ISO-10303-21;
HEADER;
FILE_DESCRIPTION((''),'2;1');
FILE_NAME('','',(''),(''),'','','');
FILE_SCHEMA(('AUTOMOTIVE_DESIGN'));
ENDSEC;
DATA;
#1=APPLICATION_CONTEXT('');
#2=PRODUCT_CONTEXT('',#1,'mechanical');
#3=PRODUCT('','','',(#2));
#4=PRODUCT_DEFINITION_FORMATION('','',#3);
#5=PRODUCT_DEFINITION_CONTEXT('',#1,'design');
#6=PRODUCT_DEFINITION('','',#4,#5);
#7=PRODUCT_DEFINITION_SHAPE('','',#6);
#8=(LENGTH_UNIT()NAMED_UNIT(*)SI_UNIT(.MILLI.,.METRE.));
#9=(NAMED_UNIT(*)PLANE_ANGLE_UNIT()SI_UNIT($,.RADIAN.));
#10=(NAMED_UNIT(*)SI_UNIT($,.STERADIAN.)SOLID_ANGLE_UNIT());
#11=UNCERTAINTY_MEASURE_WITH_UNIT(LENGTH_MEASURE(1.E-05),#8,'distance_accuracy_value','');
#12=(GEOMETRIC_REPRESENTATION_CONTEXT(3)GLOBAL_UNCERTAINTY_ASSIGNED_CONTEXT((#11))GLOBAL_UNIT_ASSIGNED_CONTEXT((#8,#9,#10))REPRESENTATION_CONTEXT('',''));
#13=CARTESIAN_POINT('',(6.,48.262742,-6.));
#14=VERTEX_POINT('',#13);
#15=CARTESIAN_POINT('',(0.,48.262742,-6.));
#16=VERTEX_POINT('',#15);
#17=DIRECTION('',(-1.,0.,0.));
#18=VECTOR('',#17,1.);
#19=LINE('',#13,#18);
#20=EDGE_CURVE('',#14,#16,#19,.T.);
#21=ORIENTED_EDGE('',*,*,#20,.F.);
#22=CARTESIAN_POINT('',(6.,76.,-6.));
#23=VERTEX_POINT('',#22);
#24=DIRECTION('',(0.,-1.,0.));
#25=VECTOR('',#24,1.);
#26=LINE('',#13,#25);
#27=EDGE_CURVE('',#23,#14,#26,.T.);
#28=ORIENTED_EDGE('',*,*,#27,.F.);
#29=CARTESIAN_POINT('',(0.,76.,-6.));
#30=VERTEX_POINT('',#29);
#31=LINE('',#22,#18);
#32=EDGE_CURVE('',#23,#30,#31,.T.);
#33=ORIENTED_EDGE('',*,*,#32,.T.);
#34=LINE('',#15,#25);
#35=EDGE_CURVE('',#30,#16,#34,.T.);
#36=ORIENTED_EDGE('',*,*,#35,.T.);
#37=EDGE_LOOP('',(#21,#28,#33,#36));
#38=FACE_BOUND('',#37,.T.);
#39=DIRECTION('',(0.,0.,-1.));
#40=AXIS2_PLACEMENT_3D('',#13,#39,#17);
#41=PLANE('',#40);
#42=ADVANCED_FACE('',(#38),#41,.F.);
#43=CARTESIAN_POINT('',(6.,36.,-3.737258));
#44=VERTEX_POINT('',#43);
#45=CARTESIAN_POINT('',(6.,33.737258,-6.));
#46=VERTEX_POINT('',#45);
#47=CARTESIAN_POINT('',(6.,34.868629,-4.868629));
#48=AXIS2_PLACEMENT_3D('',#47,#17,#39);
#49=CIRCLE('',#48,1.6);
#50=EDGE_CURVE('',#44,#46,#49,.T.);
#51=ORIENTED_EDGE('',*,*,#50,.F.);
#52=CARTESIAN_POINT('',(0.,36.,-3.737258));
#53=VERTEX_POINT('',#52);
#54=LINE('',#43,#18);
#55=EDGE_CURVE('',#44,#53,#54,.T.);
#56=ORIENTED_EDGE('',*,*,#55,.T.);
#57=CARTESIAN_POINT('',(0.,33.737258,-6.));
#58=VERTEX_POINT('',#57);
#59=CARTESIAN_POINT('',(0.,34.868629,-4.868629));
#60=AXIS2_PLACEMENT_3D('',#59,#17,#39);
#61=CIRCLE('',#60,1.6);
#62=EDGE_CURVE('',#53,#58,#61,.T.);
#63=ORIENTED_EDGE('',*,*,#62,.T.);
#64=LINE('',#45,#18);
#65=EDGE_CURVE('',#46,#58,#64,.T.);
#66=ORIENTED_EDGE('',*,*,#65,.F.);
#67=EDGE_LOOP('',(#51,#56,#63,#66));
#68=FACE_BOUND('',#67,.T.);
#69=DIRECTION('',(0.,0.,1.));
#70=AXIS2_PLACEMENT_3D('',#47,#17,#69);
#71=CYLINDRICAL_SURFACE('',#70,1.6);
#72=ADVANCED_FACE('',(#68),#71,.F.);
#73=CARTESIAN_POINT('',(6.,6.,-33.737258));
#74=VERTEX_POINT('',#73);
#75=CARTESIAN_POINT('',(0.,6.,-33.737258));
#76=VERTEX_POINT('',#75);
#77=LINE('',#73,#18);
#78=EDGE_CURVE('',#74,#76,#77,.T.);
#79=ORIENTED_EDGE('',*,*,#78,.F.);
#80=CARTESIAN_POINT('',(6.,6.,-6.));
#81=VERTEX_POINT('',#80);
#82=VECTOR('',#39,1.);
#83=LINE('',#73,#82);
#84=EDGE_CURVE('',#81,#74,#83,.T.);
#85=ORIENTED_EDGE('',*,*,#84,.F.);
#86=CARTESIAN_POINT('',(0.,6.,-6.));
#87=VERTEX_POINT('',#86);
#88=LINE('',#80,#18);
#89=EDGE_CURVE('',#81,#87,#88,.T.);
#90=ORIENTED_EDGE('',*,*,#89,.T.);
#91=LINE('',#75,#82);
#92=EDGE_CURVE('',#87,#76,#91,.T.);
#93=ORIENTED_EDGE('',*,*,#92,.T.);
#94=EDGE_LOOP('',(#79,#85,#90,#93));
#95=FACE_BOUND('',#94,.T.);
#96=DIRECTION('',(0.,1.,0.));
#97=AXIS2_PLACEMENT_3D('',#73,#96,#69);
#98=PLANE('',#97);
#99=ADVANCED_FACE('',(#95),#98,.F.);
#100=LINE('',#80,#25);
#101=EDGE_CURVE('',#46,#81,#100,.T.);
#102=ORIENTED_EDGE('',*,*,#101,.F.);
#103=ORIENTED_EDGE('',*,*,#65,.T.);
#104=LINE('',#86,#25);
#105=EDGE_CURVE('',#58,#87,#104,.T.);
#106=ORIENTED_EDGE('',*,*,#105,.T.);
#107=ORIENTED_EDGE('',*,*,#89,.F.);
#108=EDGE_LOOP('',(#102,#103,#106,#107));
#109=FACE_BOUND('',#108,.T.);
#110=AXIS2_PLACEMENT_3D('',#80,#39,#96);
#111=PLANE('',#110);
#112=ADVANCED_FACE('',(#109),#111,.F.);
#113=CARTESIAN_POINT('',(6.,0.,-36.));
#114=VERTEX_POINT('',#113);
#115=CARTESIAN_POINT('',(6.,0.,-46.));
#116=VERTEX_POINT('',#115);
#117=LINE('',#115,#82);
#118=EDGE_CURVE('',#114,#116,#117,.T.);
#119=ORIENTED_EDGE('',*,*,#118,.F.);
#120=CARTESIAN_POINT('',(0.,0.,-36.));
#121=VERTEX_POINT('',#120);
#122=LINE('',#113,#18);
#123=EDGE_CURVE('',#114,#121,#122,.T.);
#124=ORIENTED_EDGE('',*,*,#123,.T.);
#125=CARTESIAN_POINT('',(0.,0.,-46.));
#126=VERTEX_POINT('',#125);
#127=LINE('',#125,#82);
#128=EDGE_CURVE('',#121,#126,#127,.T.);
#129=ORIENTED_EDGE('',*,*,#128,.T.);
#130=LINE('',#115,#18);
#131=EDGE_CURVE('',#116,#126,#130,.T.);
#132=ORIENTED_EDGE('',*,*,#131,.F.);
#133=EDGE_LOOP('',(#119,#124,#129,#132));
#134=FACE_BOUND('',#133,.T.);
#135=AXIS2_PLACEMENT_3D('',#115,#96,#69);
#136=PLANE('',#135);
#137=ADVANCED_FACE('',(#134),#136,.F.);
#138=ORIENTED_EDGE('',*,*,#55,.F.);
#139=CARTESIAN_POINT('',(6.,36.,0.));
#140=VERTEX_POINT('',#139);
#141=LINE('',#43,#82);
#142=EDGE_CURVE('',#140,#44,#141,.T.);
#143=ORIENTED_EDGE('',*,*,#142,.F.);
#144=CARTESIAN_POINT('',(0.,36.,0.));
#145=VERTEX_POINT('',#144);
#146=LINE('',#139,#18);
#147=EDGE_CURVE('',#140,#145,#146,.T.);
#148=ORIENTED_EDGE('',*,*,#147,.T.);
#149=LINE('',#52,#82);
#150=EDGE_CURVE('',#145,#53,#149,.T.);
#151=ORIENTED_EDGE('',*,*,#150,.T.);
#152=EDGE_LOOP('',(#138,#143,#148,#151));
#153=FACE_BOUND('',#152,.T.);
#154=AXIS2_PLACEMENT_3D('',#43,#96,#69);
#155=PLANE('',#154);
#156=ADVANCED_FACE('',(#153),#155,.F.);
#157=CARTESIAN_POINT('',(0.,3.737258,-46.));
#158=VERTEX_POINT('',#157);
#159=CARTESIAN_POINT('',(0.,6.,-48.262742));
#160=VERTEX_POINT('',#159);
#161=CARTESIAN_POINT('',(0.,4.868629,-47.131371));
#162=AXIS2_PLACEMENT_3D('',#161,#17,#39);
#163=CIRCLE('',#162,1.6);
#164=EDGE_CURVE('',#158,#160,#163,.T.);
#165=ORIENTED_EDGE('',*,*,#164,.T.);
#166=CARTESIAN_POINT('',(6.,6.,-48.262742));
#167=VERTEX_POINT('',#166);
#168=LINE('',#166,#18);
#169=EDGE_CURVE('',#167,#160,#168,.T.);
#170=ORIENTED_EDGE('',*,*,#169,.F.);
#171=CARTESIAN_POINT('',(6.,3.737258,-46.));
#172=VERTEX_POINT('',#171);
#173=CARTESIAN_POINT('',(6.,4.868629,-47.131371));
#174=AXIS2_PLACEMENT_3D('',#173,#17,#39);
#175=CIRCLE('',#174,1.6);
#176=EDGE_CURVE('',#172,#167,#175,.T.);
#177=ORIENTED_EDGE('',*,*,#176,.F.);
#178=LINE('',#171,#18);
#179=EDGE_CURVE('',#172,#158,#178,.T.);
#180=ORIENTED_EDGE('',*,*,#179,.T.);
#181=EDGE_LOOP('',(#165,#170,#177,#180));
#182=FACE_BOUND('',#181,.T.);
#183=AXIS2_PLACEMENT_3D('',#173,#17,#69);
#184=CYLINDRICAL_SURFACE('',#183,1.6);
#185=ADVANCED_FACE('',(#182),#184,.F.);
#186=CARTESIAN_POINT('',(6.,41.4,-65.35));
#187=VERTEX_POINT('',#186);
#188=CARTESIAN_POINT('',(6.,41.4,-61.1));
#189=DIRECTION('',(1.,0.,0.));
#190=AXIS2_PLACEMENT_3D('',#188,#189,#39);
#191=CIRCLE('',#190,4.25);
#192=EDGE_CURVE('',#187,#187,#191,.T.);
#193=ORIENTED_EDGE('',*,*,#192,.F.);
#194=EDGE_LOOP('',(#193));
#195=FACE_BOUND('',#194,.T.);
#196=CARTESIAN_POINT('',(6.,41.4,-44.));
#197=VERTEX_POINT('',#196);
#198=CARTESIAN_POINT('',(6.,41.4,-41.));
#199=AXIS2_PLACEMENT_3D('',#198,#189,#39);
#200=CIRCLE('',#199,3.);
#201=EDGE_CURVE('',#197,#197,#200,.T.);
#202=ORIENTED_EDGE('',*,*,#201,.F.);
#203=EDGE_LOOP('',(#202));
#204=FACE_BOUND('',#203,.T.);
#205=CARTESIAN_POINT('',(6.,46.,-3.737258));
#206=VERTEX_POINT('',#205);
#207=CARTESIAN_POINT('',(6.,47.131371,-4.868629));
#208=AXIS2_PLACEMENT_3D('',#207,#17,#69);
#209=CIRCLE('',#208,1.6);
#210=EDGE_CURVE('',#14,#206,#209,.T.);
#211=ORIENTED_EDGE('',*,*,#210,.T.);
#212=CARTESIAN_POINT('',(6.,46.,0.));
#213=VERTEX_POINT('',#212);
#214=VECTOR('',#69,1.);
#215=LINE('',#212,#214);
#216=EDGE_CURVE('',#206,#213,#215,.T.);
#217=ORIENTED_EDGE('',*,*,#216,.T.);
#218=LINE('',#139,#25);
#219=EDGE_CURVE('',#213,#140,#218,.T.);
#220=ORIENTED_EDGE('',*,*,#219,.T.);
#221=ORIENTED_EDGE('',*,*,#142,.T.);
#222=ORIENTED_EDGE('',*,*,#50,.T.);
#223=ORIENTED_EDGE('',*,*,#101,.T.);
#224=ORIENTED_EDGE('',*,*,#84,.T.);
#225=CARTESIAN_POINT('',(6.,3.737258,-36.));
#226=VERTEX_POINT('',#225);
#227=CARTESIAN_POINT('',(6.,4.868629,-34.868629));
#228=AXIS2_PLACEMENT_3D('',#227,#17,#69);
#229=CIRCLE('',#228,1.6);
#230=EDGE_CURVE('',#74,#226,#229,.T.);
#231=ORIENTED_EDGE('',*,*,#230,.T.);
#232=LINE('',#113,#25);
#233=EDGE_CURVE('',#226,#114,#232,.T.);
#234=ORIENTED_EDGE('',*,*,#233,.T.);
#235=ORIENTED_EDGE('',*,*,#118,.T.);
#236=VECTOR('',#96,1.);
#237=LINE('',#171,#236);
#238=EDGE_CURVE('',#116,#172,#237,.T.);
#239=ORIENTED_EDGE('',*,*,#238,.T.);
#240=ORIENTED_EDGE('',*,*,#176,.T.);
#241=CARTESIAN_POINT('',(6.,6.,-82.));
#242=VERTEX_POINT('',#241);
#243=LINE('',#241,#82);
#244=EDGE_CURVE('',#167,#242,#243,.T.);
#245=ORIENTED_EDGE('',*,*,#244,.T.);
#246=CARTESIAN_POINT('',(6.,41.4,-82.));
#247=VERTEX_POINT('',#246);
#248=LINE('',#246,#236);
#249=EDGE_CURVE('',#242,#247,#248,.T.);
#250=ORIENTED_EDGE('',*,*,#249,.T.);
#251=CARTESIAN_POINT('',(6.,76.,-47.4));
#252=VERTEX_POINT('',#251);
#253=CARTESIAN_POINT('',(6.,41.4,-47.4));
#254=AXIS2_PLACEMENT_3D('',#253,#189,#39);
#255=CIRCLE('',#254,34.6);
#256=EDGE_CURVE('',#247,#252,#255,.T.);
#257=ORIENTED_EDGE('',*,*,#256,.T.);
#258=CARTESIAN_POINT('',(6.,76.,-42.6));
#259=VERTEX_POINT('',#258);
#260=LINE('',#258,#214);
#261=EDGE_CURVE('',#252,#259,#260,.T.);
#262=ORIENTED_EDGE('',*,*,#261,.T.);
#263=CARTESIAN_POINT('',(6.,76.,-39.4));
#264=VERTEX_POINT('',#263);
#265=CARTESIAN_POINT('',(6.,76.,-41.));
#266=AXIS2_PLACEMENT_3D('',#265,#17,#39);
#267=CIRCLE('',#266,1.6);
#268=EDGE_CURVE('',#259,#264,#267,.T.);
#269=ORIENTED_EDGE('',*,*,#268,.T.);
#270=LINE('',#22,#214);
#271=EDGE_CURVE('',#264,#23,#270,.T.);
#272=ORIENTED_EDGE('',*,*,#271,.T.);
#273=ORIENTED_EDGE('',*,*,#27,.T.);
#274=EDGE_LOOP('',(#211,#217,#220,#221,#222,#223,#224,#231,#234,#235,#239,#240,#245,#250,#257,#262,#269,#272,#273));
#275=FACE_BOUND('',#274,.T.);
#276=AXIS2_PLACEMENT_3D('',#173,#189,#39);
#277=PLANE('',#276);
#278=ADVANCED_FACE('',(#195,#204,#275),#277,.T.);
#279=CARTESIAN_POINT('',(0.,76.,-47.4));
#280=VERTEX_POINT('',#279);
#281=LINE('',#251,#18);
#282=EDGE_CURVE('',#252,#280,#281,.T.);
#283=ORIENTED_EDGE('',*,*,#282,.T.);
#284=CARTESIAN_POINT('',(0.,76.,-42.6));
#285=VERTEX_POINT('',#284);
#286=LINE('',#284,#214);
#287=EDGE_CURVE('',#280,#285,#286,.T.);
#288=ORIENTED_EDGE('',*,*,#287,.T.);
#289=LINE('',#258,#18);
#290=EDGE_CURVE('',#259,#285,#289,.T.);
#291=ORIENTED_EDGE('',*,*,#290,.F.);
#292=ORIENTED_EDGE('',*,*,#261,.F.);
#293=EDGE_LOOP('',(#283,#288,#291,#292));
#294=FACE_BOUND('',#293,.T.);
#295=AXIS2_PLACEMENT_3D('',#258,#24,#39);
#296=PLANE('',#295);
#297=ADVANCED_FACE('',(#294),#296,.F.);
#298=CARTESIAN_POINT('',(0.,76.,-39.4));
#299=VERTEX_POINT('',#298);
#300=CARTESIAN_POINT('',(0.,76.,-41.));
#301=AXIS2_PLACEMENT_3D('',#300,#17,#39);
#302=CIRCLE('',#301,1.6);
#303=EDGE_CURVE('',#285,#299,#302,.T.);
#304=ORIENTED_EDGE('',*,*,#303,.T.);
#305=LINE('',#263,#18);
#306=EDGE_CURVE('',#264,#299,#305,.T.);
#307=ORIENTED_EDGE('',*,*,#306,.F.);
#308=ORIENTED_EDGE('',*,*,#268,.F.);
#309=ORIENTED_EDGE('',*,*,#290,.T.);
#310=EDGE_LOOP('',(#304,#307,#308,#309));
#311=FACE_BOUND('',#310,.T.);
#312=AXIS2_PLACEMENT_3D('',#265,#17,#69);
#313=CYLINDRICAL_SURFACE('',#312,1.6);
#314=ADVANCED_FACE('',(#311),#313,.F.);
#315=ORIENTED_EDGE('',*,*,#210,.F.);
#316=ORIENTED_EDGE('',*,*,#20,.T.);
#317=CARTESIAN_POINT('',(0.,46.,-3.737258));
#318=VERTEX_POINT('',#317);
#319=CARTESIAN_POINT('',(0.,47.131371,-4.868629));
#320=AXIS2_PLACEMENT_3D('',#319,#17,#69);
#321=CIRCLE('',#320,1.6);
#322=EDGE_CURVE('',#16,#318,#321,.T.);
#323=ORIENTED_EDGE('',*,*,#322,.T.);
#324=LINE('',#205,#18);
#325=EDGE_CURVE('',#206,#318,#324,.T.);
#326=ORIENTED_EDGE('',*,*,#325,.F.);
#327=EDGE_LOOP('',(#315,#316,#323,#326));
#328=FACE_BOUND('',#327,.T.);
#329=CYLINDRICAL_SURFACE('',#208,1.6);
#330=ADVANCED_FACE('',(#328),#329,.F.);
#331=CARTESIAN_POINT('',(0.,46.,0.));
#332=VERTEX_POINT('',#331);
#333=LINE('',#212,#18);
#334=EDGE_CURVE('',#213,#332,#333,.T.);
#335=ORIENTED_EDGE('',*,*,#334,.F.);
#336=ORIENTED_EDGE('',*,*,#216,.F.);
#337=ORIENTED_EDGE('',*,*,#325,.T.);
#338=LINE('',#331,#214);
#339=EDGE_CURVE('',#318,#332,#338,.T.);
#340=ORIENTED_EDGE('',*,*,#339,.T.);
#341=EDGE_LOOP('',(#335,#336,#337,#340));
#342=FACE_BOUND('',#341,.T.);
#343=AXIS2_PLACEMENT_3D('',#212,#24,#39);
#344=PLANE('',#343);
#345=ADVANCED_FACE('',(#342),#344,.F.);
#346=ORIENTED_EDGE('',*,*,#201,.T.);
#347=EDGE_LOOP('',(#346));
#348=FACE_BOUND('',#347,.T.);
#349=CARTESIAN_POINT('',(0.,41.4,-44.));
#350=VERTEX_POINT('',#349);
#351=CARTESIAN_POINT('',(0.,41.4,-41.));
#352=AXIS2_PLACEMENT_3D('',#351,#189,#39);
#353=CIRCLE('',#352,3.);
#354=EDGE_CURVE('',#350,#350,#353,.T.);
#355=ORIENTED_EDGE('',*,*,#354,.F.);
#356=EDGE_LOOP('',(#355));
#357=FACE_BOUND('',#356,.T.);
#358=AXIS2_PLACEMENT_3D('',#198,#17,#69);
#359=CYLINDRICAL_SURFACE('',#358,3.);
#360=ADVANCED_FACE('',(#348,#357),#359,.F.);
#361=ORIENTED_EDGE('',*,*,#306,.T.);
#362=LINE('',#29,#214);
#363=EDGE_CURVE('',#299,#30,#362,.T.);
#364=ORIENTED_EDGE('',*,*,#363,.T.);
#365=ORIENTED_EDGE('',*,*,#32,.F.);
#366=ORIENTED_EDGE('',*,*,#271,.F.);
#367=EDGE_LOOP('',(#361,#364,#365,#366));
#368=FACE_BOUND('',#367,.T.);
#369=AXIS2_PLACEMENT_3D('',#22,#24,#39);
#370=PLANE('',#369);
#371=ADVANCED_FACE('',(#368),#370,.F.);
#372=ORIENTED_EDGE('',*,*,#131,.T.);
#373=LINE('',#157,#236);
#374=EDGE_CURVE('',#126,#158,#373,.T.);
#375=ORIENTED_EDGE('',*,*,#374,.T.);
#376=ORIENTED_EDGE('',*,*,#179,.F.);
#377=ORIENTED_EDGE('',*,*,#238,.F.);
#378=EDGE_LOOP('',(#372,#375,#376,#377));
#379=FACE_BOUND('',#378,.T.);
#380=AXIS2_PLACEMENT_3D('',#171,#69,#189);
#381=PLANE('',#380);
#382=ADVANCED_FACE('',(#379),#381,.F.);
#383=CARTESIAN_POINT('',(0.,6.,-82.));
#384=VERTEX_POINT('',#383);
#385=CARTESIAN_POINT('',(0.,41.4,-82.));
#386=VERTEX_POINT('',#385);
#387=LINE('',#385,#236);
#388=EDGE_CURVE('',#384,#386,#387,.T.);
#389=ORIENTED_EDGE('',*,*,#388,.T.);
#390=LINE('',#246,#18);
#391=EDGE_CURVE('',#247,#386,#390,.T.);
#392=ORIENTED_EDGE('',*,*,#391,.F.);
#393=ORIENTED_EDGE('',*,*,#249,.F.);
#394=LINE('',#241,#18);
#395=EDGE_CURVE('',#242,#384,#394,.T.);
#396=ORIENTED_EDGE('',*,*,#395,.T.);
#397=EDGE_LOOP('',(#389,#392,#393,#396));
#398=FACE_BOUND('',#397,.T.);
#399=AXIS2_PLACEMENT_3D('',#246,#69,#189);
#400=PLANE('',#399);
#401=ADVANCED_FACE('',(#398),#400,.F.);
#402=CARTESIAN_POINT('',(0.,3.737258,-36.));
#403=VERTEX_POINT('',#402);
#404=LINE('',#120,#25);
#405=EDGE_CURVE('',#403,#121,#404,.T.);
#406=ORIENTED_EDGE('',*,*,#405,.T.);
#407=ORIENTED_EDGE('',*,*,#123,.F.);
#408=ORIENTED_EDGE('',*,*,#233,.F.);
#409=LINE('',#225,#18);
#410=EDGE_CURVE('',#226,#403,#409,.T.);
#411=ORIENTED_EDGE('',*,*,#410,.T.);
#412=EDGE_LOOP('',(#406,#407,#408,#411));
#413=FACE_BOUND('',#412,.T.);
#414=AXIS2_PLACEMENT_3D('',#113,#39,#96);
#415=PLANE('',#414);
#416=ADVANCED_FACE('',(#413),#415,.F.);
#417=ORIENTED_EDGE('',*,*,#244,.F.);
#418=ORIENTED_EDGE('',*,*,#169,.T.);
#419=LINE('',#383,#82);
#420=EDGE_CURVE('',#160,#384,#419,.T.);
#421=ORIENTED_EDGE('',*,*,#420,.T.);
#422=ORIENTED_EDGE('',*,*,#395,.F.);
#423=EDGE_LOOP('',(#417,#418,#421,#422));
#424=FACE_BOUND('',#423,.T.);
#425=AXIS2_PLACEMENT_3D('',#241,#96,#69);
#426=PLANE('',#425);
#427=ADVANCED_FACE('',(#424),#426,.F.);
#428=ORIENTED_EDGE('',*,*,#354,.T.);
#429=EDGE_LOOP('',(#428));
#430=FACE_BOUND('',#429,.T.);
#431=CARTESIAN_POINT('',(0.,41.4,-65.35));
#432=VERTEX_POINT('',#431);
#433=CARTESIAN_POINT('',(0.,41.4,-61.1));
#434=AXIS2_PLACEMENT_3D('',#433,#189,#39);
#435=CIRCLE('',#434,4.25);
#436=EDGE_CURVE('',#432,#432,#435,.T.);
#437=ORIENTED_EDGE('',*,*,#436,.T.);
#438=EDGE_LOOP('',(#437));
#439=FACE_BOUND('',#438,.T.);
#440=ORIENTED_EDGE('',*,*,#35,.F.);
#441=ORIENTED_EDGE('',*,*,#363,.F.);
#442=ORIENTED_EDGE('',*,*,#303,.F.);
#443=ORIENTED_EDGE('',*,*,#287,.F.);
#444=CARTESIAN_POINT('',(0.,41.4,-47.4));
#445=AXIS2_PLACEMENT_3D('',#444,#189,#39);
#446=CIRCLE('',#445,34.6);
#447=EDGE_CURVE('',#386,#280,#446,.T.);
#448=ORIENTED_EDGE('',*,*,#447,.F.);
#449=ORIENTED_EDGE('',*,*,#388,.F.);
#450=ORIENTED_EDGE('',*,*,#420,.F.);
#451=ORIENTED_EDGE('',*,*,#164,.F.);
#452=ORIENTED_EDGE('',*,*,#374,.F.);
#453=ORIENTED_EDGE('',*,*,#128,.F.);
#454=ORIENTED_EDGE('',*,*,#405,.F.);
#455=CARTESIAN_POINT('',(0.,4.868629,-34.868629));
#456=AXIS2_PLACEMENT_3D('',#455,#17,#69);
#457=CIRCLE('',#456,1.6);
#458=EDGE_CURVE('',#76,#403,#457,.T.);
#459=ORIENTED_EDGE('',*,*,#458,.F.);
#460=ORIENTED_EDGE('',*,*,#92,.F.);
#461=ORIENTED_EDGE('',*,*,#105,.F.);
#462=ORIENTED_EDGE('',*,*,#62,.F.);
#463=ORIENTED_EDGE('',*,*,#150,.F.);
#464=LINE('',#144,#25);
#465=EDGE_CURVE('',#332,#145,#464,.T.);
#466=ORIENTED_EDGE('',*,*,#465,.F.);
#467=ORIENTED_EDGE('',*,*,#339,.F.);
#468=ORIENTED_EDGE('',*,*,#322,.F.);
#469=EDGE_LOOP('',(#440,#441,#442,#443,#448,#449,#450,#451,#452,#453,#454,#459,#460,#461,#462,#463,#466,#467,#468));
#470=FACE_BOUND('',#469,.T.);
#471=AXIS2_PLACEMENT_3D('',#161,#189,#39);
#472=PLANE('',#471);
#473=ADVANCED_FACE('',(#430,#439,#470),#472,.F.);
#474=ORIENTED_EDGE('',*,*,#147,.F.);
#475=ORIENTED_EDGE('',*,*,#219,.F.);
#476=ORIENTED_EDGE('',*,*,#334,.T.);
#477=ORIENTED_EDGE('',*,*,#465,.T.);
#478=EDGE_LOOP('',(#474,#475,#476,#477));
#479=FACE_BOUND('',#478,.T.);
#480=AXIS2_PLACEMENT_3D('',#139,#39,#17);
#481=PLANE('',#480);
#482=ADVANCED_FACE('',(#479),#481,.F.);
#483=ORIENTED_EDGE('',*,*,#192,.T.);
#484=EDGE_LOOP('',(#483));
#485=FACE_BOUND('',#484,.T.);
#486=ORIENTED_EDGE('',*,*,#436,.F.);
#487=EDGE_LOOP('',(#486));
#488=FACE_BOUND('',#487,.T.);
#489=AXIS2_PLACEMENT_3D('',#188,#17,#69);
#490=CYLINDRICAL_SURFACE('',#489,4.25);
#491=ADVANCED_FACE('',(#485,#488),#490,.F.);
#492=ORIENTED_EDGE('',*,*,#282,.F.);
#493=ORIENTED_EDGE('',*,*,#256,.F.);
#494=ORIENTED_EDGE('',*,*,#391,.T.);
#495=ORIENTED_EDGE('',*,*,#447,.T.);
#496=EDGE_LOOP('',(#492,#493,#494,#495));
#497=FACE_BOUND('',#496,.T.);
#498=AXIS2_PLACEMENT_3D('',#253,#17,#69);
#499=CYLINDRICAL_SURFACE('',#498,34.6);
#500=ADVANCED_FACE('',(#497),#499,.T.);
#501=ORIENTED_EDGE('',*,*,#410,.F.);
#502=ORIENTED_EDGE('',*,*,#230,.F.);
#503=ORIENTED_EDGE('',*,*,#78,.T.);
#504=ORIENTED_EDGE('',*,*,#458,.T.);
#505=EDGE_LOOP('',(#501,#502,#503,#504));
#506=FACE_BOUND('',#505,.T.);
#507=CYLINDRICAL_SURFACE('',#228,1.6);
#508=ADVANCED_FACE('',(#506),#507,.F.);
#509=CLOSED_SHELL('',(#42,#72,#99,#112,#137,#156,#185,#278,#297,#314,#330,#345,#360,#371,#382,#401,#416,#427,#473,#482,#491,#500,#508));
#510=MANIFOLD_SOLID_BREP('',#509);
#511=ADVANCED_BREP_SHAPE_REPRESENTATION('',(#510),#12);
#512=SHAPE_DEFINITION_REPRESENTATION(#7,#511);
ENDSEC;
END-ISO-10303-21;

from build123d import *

# Parameters (mm, degrees)
ESQUISSE1_R        = 3
ESQUISSE1_R_2      = 4.25
BOSS_EXTRU_1_DEPTH = 6


with BuildPart() as part:
    # Esquisse1 → Boss.-Extru.1 (new body)
    with BuildSketch(Plane(origin=(0, 0, 0), x_dir=(0, 0, -1), z_dir=(1, 0, 0))):
        with BuildLine():
            Line((46, 3.7372583), (46, 0))
            Line((46, 0), (36, 0))
            Line((36, 0), (36, 3.7372583))
            ThreePointArc((36, 3.7372583), (36, 6), (33.7372583, 6))
            Line((33.7372583, 6), (6, 6))
            Line((6, 6), (6, 33.7372583))
            ThreePointArc((6, 33.7372583), (6, 36), (3.7372583, 36))
            Line((3.7372583, 36), (0, 36))
            Line((0, 36), (0, 46))
            Line((0, 46), (3.7372583, 46))
            ThreePointArc((3.7372583, 46), (6, 46), (6, 48.2627417))
            Line((6, 48.2627417), (6, 76))
            Line((6, 76), (39.4, 76))
            ThreePointArc((39.4, 76), (41, 74.4), (42.6, 76))
            Line((42.6, 76), (47.4, 76))
            ThreePointArc((47.4, 76), (71.865894629, 65.865894629), (82, 41.4))
            Line((82, 41.4), (82, 6))
            Line((82, 6), (48.2627417, 6))
            ThreePointArc((48.2627417, 6), (46, 6), (46, 3.7372583))
        make_face()
        with Locations((41, 41.4)):
            Circle(ESQUISSE1_R, mode=Mode.SUBTRACT)
        with Locations((61.1, 41.4)):
            Circle(ESQUISSE1_R_2, mode=Mode.SUBTRACT)
    extrude(amount=BOSS_EXTRU_1_DEPTH)


solid = part.part
